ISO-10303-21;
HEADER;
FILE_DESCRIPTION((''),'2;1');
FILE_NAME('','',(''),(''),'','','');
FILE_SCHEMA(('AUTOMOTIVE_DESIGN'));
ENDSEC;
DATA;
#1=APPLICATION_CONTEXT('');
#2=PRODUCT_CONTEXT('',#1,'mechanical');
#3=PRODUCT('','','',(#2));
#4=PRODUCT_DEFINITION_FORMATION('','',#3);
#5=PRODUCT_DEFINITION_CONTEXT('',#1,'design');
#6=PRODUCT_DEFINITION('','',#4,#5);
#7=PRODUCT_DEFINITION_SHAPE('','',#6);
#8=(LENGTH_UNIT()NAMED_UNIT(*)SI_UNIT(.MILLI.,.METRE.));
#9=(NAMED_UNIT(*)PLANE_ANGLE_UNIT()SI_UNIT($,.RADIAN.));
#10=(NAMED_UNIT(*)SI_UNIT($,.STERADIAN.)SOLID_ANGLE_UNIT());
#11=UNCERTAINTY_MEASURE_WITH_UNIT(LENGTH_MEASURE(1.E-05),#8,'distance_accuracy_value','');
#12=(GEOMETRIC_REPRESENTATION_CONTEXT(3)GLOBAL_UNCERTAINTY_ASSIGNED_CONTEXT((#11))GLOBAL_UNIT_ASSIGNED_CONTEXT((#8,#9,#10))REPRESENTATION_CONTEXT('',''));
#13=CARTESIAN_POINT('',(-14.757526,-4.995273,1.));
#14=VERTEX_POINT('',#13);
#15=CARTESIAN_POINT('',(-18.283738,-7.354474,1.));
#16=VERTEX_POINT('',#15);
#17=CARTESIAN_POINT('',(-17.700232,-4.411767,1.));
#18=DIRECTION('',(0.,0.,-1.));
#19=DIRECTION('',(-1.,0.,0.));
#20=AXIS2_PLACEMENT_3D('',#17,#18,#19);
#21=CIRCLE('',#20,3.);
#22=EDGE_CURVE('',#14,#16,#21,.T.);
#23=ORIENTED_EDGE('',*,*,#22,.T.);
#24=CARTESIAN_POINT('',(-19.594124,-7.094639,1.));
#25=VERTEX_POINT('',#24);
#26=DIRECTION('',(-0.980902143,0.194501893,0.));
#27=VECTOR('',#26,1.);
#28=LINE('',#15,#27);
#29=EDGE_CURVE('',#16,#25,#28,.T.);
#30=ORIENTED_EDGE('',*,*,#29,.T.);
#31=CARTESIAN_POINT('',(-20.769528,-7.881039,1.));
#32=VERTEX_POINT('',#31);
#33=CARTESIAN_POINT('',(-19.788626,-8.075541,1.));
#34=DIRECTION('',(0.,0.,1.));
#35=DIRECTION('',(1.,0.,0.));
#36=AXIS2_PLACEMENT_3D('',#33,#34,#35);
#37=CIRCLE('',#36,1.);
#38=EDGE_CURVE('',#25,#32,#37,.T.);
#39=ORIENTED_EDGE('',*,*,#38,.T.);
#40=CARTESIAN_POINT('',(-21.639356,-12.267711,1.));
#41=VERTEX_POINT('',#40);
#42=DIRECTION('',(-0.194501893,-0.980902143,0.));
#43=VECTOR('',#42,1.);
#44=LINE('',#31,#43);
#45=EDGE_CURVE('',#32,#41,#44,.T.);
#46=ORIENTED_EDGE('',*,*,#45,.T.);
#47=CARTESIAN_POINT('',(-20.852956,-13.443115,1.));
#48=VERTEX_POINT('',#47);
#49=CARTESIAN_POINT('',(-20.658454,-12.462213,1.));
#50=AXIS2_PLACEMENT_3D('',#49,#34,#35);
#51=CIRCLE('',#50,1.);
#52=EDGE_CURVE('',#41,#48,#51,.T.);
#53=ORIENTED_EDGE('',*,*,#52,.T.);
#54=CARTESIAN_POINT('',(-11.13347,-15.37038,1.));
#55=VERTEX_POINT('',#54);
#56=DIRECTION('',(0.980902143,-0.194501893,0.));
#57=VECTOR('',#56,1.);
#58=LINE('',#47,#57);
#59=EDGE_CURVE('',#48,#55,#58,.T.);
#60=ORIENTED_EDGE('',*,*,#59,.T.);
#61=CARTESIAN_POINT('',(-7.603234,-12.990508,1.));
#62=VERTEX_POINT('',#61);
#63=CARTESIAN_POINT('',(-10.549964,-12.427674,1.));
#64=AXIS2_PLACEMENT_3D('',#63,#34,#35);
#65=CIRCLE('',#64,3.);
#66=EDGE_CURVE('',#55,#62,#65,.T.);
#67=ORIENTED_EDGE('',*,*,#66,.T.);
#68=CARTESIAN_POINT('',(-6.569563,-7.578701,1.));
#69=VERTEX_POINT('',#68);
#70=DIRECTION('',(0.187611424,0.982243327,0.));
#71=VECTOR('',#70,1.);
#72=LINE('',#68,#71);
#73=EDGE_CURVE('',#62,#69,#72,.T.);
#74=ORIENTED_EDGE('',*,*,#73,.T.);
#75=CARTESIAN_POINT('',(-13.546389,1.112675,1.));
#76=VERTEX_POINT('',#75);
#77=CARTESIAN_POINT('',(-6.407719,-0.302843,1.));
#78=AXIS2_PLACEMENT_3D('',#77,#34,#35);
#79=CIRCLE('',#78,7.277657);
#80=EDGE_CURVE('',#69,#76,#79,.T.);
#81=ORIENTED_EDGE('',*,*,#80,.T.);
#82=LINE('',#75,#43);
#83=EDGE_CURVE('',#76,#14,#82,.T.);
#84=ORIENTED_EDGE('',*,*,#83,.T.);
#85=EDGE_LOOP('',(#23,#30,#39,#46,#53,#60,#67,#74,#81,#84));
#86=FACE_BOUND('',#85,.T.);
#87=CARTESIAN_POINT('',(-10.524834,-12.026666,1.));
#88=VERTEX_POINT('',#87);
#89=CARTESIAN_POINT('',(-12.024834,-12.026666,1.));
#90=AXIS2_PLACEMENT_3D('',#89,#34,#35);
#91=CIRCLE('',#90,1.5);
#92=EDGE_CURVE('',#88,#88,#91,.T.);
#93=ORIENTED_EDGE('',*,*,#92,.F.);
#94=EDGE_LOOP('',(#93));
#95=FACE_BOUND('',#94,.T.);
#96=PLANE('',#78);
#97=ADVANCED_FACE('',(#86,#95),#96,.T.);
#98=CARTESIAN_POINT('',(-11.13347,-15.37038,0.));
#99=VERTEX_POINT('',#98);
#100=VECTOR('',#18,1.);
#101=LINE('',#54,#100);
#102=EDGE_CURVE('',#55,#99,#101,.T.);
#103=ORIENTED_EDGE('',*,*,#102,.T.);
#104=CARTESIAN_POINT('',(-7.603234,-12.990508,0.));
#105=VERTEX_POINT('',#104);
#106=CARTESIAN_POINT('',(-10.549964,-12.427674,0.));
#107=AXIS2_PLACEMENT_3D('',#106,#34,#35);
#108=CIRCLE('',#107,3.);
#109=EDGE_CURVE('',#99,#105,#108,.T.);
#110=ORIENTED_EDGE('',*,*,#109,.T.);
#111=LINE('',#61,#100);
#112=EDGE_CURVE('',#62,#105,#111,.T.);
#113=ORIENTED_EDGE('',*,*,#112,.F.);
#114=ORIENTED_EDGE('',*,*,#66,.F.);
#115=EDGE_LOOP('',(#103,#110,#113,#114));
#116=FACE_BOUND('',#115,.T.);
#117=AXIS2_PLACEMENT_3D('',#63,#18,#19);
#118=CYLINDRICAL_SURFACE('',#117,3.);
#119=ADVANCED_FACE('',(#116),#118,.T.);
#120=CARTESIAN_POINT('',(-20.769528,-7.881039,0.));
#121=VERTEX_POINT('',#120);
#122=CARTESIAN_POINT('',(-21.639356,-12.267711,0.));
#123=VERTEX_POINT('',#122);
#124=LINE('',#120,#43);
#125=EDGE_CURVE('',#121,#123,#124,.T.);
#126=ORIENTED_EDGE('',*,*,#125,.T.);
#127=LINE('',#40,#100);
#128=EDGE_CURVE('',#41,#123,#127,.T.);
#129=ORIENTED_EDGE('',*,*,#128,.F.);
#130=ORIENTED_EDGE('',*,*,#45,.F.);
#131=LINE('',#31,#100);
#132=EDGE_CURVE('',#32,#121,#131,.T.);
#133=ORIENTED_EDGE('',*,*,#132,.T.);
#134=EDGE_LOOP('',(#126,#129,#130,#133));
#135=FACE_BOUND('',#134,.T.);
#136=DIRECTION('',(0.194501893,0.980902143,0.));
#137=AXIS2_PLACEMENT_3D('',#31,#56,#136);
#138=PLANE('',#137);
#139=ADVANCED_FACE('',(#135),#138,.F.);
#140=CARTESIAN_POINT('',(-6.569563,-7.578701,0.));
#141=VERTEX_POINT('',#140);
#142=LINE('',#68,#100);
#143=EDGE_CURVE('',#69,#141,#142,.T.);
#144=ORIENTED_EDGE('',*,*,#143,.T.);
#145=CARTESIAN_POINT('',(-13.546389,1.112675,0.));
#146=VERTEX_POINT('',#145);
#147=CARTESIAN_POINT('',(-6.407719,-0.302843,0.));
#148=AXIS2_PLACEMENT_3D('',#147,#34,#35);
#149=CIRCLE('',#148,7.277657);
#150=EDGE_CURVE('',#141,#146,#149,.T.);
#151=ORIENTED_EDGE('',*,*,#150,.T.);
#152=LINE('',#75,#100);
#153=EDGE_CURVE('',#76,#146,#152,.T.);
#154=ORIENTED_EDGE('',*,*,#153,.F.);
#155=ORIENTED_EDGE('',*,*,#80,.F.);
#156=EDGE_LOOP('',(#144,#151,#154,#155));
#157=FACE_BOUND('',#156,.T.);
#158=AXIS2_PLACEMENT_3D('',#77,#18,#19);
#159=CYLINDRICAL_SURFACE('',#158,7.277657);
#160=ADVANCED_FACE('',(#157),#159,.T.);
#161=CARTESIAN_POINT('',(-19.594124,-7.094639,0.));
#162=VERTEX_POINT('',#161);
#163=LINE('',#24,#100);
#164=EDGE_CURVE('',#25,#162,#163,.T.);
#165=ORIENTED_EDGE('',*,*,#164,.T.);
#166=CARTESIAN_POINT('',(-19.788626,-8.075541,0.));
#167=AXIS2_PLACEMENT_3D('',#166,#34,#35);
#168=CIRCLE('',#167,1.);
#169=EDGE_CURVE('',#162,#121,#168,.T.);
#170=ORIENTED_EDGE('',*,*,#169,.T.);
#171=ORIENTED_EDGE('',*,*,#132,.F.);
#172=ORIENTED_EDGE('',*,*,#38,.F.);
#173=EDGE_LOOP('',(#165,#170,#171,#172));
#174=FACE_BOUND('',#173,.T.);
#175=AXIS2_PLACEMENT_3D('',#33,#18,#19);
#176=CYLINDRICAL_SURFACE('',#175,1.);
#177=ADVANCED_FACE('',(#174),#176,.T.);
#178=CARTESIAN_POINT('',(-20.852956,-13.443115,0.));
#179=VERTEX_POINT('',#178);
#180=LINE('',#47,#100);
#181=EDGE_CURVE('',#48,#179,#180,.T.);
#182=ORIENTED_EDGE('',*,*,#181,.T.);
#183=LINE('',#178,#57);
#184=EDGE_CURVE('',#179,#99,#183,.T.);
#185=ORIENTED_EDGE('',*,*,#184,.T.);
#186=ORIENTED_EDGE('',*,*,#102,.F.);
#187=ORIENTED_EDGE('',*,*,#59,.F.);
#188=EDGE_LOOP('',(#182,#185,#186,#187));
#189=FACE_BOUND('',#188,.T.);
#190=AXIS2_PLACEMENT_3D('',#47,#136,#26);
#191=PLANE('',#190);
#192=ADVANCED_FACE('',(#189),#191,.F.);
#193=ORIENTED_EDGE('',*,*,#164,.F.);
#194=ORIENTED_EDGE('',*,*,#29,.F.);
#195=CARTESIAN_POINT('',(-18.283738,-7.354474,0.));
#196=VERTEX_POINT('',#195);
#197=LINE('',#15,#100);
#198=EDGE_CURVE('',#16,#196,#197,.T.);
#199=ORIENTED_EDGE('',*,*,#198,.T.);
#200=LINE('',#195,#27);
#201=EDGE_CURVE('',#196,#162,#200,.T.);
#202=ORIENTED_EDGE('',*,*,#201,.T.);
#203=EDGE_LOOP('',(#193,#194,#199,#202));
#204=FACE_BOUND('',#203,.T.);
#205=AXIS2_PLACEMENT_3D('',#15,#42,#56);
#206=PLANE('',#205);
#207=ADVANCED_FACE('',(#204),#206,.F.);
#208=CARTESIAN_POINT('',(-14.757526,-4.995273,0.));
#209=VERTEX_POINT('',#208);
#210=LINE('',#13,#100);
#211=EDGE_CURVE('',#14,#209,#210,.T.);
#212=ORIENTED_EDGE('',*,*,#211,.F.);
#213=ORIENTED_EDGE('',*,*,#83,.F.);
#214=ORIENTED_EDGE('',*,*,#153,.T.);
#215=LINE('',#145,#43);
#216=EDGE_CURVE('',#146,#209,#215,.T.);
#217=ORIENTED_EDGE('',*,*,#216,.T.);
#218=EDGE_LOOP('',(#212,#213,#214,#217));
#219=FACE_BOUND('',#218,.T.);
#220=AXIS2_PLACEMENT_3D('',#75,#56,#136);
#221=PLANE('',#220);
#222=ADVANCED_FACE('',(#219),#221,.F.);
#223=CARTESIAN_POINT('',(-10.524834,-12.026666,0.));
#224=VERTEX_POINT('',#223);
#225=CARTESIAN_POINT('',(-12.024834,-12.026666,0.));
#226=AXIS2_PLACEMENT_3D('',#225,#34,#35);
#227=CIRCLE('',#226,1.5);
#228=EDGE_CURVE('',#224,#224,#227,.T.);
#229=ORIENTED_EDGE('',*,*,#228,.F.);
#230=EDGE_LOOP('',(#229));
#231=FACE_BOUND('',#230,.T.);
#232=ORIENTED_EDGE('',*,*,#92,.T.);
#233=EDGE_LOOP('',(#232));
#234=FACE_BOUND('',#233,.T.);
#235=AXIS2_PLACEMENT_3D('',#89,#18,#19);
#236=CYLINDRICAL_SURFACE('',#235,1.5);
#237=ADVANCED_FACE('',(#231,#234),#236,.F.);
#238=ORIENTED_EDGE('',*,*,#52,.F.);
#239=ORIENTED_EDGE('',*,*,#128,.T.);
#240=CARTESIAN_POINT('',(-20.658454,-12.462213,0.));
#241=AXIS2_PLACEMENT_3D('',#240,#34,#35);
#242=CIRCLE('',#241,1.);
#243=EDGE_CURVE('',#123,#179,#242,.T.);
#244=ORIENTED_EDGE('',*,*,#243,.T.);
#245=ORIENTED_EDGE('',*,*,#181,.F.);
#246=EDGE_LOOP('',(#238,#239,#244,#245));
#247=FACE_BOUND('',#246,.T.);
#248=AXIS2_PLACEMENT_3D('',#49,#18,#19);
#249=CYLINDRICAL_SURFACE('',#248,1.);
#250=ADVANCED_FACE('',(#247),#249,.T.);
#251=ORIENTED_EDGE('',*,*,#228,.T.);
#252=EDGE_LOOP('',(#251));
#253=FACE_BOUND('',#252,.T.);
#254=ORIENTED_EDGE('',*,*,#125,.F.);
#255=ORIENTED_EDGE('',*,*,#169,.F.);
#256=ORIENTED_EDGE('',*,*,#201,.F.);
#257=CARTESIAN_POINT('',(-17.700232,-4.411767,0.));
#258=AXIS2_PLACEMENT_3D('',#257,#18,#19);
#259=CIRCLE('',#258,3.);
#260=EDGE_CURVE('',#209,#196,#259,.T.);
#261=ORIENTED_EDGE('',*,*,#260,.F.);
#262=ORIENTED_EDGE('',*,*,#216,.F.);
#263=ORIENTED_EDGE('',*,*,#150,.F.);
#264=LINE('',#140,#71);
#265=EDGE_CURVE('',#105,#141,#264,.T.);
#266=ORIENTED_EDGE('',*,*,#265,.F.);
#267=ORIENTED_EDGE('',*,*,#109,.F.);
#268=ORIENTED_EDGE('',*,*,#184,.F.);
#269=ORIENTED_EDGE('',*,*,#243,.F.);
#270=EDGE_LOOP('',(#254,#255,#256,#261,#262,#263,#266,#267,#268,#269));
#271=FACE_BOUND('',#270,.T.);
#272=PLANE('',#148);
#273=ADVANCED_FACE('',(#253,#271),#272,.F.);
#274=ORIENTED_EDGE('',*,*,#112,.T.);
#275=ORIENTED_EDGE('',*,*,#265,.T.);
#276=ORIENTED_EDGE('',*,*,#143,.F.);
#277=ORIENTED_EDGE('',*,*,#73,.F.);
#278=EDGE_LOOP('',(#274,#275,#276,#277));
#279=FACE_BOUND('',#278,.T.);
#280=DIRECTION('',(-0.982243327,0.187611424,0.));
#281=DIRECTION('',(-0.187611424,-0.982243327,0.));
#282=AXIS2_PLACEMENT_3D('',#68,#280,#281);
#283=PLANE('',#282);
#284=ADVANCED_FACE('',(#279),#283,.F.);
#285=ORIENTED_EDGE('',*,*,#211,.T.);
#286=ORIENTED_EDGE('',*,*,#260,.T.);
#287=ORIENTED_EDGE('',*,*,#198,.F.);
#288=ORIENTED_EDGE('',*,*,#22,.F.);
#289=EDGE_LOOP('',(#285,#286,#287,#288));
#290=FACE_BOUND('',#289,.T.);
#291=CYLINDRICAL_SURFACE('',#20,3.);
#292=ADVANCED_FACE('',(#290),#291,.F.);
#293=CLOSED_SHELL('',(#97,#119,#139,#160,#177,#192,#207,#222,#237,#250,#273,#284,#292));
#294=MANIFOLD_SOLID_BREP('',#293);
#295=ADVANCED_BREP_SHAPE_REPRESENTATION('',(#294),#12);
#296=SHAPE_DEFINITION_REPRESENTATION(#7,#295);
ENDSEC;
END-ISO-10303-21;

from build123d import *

# Parameters (mm, degrees)
SKETCH1_R           = 1.5
BOSS_EXTRUDE1_DEPTH = 1


with BuildPart() as part:
    # Sketch1 → Boss-Extrude1 (new body)
    with BuildSketch(Plane.XY):
        with BuildLine():
            Line((-13.546388506, 1.11267473), (-14.757525988, -4.995272772))
            ThreePointArc((-14.757525988, -4.995272772), (-16.032025568, -6.905175586), (-18.283738095, -7.354473522))
            Line((-18.283738095, -7.354473522), (-19.594124086, -7.094638677))
            ThreePointArc((-19.594124086, -7.094638677), (-20.344694929, -7.244404656), (-20.769528122, -7.881038927))
            Line((-20.769528122, -7.881038927), (-21.639356034, -12.267711208))
            ThreePointArc((-21.639356034, -12.267711208), (-21.489590055, -13.018282051), (-20.852955784, -13.443115244))
            Line((-20.852955784, -13.443115244), (-11.13347013, -15.370380234))
            ThreePointArc((-11.13347013, -15.370380234), (-8.873016287, -14.915211716), (-7.60323447, -12.990508078))
            Line((-7.60323447, -12.990508078), (-6.569563046, -7.578700869))
            ThreePointArc((-6.569563046, -7.578700869), (-0.732388238, 4.25291316), (-13.546388506, 1.11267473))
        make_face()
        with Locations((-12.024833612, -12.026666232)):
            Circle(SKETCH1_R, mode=Mode.SUBTRACT)
    extrude(amount=BOSS_EXTRUDE1_DEPTH)


solid = part.part
